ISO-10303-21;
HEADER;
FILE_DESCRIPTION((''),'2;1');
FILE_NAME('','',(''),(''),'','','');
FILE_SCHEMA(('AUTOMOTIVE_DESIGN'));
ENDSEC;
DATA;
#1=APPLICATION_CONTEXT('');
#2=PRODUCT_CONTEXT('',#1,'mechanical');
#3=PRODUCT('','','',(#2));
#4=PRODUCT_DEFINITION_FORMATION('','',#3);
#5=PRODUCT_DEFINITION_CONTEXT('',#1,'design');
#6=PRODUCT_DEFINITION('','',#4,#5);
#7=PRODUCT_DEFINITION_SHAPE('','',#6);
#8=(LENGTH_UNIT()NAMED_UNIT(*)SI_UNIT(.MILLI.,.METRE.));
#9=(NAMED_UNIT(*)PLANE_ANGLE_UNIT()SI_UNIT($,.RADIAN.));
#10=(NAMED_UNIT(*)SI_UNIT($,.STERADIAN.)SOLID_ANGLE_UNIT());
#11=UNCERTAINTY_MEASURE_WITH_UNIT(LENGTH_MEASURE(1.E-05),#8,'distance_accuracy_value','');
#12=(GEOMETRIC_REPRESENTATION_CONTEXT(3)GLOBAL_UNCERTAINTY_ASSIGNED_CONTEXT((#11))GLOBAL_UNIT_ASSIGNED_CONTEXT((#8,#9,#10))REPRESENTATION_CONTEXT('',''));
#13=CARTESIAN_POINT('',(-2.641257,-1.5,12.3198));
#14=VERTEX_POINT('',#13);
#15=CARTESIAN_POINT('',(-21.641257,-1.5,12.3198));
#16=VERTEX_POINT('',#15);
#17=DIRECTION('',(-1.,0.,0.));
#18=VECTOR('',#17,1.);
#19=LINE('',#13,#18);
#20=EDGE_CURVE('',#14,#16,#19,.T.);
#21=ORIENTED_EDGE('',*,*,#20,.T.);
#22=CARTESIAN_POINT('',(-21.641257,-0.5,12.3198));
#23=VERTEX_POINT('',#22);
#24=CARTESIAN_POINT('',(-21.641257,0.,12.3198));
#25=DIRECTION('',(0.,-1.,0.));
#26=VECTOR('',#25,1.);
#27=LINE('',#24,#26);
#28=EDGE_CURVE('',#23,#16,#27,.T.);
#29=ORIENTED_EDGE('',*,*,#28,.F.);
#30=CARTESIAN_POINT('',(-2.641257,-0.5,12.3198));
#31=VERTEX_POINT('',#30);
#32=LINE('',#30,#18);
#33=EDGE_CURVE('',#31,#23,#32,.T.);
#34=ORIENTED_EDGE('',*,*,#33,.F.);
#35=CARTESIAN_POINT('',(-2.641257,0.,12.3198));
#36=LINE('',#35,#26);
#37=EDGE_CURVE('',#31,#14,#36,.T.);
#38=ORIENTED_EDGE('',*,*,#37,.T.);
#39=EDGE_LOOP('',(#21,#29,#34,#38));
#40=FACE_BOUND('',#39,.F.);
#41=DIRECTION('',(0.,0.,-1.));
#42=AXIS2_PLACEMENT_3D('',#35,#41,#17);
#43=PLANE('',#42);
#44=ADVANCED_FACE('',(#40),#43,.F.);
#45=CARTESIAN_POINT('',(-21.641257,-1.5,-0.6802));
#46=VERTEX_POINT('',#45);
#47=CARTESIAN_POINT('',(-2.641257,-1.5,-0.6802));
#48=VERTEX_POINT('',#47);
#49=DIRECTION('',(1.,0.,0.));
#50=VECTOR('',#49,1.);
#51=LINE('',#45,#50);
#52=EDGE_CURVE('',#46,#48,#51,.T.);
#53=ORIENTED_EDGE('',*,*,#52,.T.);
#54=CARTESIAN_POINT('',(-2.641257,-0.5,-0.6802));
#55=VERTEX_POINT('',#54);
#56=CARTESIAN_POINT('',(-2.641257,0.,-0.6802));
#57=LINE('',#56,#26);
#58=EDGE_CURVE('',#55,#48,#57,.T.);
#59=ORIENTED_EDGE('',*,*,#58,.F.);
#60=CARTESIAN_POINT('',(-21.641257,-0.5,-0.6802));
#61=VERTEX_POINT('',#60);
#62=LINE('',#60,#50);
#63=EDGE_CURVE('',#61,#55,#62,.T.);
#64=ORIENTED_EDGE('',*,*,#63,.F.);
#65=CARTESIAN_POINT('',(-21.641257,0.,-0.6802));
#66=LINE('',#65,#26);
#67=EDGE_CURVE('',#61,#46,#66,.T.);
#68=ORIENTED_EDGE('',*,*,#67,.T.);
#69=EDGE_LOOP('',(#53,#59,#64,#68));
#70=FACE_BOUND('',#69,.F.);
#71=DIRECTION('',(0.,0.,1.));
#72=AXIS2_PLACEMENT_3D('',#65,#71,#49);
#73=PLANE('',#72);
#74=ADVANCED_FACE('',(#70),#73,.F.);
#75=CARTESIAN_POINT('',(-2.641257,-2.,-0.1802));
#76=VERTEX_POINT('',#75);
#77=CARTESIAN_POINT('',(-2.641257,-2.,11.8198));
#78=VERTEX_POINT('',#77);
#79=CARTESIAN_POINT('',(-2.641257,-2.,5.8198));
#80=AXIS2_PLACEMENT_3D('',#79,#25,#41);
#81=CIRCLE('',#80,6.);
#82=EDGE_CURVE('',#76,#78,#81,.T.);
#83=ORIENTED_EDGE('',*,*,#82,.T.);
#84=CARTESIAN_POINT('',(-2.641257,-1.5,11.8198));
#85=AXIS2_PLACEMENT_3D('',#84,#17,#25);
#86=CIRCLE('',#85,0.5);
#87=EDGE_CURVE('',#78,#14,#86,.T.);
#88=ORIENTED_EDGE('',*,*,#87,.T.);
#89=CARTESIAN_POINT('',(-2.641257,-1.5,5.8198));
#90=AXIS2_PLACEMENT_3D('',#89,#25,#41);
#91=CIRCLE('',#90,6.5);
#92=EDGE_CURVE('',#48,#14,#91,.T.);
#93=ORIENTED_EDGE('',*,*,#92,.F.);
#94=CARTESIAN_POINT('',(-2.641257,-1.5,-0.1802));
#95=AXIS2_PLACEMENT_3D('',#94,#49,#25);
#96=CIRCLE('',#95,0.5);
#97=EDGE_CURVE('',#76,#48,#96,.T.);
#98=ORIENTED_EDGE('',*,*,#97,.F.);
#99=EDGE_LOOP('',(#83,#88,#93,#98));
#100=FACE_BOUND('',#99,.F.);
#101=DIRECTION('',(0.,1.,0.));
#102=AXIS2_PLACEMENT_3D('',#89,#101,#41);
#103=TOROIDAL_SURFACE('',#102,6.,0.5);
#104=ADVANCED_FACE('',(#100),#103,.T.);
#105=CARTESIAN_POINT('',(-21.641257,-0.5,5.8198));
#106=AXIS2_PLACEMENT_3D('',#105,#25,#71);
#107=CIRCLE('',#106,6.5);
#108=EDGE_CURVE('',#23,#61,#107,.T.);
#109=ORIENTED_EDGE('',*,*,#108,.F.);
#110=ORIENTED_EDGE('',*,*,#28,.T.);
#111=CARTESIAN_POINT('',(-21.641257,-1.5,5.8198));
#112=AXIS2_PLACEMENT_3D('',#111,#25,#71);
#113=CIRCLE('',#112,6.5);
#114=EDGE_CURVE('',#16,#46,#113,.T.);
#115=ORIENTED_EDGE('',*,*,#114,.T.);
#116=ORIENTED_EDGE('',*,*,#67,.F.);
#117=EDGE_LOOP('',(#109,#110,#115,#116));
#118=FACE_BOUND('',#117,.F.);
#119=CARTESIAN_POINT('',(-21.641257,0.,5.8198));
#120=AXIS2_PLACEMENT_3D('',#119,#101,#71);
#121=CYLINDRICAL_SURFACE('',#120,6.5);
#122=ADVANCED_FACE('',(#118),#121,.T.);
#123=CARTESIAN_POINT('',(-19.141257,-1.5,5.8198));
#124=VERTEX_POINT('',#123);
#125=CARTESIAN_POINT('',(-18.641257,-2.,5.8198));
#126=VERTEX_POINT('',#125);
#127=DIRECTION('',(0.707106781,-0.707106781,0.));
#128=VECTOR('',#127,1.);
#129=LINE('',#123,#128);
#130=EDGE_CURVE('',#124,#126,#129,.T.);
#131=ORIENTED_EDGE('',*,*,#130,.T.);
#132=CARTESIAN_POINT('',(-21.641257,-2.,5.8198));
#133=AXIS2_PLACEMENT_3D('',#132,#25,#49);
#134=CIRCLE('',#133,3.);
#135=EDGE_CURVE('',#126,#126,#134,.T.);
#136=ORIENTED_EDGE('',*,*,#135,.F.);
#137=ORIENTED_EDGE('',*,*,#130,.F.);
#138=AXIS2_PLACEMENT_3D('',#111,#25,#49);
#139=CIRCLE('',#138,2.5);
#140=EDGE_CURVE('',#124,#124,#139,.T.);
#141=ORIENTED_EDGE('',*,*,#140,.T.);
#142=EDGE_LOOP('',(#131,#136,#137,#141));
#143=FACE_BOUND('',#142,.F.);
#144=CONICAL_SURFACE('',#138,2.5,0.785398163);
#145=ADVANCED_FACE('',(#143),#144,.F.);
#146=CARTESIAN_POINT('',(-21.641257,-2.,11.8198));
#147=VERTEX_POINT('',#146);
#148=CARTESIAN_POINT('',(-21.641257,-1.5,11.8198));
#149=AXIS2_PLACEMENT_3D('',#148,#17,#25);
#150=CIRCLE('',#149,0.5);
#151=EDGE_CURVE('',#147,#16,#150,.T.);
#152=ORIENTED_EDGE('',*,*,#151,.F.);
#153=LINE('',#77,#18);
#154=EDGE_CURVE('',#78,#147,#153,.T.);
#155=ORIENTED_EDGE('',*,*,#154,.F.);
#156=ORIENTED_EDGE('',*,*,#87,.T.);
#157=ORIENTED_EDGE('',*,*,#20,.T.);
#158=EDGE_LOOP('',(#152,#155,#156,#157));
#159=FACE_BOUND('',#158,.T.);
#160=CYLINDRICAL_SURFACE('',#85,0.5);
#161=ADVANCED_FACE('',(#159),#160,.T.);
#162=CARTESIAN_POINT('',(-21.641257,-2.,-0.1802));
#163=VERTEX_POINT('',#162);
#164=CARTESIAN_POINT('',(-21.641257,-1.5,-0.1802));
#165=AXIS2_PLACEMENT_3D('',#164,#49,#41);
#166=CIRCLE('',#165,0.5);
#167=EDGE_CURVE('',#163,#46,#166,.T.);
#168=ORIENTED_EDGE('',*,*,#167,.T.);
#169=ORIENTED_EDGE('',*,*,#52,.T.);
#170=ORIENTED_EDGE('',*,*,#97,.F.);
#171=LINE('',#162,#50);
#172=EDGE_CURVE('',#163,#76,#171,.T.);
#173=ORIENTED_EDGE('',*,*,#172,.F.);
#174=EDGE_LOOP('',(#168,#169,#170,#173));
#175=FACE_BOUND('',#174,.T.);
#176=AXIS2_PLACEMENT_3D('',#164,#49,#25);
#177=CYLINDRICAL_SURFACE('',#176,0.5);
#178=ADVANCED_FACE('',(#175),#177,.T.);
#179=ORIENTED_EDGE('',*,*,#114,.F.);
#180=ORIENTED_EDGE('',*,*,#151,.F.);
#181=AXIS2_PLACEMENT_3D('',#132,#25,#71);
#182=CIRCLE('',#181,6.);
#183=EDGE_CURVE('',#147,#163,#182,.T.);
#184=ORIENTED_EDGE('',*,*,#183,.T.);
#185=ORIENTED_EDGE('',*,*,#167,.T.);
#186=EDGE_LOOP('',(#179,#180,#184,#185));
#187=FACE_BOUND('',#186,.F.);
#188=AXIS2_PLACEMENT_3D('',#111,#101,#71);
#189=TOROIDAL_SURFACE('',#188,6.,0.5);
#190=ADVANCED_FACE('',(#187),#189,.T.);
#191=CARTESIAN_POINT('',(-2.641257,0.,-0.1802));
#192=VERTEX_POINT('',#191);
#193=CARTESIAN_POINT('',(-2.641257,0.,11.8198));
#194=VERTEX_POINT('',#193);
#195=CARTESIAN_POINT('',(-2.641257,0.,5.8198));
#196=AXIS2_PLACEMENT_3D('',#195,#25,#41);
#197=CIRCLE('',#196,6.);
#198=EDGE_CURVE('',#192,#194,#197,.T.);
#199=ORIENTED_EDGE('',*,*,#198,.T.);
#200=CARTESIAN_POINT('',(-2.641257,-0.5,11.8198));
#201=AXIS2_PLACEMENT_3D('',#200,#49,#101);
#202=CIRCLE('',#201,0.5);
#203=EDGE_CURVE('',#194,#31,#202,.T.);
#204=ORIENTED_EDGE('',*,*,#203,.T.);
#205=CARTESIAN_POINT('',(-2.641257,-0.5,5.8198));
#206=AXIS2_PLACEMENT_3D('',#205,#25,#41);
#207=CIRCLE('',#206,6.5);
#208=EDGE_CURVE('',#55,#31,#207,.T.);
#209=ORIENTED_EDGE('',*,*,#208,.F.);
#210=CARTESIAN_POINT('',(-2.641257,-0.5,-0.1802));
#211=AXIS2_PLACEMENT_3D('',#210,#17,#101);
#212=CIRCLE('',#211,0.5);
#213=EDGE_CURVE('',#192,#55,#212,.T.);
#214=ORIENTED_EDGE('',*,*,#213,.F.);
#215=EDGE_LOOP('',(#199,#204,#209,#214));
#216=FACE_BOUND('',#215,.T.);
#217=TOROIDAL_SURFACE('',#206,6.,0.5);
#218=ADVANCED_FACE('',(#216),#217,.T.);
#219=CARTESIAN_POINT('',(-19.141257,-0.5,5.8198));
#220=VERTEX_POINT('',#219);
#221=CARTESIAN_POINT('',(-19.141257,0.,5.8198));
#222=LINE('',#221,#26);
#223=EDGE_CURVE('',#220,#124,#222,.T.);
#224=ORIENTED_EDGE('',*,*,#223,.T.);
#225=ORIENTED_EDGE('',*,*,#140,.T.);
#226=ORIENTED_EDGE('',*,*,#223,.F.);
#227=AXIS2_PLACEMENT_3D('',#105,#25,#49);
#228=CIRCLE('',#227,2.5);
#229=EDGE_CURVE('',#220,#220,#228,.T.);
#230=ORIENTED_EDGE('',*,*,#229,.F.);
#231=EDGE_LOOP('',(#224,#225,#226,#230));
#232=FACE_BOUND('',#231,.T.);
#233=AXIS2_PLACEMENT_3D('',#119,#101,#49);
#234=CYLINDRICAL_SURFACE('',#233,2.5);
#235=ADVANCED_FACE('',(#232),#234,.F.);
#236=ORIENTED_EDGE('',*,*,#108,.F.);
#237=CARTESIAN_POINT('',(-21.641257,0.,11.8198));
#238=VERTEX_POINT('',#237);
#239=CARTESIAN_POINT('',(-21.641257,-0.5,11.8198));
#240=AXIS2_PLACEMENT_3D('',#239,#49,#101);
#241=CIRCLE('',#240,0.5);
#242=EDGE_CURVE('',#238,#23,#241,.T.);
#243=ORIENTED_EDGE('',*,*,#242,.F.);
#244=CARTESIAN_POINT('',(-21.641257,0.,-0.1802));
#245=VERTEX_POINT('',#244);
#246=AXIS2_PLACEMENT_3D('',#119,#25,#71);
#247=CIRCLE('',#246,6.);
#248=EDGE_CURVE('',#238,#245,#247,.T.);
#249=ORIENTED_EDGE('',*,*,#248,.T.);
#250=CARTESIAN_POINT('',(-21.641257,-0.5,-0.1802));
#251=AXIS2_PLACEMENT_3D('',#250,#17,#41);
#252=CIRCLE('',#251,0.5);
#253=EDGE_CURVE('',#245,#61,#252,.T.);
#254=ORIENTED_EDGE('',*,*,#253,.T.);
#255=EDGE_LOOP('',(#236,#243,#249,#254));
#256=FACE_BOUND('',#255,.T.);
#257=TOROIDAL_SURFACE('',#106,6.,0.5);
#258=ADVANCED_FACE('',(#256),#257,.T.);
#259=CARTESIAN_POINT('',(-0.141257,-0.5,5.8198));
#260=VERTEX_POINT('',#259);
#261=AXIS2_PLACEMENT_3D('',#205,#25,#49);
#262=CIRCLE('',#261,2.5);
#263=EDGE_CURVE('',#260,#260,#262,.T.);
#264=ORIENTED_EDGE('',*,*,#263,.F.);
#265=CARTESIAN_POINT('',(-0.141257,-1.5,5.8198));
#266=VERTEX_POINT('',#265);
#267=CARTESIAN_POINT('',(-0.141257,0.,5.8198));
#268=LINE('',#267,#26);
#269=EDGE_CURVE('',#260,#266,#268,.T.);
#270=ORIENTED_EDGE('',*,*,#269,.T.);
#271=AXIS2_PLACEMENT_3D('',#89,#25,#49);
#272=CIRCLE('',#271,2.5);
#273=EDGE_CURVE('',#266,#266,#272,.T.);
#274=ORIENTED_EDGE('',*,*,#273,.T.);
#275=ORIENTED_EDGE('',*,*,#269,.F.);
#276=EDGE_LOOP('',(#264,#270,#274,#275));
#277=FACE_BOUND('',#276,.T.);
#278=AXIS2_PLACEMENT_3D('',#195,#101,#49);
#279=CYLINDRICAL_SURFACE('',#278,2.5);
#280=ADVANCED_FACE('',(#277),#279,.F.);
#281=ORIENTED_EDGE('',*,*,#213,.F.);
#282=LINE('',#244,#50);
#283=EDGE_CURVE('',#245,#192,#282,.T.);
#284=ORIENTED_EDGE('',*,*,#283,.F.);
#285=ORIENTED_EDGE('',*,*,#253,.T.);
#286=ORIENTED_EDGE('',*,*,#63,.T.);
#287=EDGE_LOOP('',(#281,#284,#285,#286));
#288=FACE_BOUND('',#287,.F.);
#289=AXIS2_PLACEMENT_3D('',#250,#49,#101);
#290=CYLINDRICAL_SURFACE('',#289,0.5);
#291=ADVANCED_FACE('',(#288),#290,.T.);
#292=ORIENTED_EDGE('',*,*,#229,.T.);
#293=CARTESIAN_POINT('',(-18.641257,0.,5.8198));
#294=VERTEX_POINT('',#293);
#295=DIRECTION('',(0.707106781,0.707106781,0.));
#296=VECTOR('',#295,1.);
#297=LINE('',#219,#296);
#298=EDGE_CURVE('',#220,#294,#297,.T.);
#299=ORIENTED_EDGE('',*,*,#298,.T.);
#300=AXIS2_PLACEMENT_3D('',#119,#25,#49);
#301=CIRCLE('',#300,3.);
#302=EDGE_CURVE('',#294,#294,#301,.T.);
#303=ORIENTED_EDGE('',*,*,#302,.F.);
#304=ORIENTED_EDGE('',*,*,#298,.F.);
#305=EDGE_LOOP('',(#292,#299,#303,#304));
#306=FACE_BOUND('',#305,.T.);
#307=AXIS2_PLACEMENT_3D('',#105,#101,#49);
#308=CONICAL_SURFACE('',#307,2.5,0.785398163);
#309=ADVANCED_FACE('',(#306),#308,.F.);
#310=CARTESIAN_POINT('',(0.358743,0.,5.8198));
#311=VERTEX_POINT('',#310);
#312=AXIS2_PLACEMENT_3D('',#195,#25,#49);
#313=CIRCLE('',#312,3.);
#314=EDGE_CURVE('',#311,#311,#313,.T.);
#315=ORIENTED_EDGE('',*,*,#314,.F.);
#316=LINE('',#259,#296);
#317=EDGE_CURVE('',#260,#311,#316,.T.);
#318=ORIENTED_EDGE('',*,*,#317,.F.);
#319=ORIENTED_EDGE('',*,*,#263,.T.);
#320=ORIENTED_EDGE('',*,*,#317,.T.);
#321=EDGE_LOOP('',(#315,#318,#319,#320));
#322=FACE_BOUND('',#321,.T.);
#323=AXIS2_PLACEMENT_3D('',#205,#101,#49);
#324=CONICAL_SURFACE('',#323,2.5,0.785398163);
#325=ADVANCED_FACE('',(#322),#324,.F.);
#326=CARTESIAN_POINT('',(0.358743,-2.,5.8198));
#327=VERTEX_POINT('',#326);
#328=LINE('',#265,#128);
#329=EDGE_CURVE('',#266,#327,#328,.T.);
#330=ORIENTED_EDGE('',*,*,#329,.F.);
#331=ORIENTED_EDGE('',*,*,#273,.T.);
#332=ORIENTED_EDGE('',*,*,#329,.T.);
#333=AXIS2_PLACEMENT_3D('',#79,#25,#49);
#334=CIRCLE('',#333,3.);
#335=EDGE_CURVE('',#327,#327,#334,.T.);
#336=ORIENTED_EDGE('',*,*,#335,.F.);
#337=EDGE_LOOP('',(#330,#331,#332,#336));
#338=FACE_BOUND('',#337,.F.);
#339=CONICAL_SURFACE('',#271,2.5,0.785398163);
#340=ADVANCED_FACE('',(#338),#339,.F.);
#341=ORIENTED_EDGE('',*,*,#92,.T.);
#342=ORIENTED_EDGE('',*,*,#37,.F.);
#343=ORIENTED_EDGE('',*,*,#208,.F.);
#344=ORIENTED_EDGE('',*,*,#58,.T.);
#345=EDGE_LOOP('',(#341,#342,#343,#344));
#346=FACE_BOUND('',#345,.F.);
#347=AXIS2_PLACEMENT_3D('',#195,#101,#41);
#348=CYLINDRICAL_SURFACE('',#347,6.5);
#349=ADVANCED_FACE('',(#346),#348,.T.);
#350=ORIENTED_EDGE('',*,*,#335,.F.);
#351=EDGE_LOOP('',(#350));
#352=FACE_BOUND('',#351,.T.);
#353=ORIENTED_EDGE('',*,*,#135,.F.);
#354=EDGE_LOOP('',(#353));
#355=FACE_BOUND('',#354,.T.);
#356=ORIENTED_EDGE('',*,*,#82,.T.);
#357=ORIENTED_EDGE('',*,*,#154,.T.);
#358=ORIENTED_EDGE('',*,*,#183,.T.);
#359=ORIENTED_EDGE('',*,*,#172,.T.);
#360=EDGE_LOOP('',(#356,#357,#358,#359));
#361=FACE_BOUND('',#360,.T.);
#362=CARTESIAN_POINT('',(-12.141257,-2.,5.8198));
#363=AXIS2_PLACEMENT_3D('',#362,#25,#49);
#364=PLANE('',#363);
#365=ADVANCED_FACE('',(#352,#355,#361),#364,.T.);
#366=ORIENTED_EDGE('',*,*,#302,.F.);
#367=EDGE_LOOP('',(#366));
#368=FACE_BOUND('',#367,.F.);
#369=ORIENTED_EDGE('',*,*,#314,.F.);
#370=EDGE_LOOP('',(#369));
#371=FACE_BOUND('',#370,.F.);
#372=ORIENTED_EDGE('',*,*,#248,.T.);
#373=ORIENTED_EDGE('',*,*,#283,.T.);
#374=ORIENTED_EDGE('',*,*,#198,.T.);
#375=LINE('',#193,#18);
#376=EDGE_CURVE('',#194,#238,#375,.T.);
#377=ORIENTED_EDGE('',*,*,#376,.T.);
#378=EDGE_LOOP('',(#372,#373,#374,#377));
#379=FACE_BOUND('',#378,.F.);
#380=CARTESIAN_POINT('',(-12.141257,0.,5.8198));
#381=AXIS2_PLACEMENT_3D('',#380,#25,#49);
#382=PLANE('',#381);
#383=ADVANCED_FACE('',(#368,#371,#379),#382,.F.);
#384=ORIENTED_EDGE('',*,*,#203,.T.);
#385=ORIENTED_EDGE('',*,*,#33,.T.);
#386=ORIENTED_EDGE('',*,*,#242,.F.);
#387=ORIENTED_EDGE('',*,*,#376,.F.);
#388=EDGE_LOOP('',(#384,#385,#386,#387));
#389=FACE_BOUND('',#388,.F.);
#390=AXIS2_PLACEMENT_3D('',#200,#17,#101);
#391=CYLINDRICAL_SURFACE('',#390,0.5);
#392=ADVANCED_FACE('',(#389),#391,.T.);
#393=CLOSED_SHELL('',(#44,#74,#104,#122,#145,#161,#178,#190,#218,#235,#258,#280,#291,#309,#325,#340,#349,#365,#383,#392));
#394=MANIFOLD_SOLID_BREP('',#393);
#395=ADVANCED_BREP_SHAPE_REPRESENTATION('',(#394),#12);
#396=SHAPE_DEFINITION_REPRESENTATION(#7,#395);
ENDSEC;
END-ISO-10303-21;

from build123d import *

# Parameters (mm, degrees)
F0_R     = 2.5
F1_DEPTH = 2
F2_SIZE  = 0.5
F3_R     = 0.5


with BuildPart() as f1:
    # F0 (on Front) → F1 (new body)
    with BuildSketch(Plane.XZ):
        with BuildLine():
            Line((-2.641257, 12.3198), (-21.641257, 12.3198))
            ThreePointArc((-21.641257, 12.3198), (-28.141257, 5.8198), (-21.641257, -0.6802))
            Line((-21.641257, -0.6802), (-2.641257, -0.6802))
            ThreePointArc((-2.641257, -0.6802), (3.858743, 5.8198), (-2.641257, 12.3198))
        make_face()
        with Locations((-21.641257, 5.8198)):
            Circle(F0_R, mode=Mode.SUBTRACT)
        with Locations((-2.641257, 5.8198)):
            Circle(F0_R, mode=Mode.SUBTRACT)
    extrude(amount=F1_DEPTH)

    # F2
    f2_edges = [f1.edges().sort_by_distance(p)[0] for p in [
        (-24.141257, -2, 5.8198),
        (-5.141257, -2, 5.8198),
        (-5.141257, 0, 5.8198),
        (-24.141257, 0, 5.8198),
    ]]
    chamfer(f2_edges, length=F2_SIZE)

    # F3
    f3_edges = [f1.edges().sort_by_distance(p)[0] for p in [
        (-12.141257, 0, 12.3198),
        (-12.141257, -2, 12.3198),
    ]]
    fillet(f3_edges, radius=F3_R)


solid = f1.part
